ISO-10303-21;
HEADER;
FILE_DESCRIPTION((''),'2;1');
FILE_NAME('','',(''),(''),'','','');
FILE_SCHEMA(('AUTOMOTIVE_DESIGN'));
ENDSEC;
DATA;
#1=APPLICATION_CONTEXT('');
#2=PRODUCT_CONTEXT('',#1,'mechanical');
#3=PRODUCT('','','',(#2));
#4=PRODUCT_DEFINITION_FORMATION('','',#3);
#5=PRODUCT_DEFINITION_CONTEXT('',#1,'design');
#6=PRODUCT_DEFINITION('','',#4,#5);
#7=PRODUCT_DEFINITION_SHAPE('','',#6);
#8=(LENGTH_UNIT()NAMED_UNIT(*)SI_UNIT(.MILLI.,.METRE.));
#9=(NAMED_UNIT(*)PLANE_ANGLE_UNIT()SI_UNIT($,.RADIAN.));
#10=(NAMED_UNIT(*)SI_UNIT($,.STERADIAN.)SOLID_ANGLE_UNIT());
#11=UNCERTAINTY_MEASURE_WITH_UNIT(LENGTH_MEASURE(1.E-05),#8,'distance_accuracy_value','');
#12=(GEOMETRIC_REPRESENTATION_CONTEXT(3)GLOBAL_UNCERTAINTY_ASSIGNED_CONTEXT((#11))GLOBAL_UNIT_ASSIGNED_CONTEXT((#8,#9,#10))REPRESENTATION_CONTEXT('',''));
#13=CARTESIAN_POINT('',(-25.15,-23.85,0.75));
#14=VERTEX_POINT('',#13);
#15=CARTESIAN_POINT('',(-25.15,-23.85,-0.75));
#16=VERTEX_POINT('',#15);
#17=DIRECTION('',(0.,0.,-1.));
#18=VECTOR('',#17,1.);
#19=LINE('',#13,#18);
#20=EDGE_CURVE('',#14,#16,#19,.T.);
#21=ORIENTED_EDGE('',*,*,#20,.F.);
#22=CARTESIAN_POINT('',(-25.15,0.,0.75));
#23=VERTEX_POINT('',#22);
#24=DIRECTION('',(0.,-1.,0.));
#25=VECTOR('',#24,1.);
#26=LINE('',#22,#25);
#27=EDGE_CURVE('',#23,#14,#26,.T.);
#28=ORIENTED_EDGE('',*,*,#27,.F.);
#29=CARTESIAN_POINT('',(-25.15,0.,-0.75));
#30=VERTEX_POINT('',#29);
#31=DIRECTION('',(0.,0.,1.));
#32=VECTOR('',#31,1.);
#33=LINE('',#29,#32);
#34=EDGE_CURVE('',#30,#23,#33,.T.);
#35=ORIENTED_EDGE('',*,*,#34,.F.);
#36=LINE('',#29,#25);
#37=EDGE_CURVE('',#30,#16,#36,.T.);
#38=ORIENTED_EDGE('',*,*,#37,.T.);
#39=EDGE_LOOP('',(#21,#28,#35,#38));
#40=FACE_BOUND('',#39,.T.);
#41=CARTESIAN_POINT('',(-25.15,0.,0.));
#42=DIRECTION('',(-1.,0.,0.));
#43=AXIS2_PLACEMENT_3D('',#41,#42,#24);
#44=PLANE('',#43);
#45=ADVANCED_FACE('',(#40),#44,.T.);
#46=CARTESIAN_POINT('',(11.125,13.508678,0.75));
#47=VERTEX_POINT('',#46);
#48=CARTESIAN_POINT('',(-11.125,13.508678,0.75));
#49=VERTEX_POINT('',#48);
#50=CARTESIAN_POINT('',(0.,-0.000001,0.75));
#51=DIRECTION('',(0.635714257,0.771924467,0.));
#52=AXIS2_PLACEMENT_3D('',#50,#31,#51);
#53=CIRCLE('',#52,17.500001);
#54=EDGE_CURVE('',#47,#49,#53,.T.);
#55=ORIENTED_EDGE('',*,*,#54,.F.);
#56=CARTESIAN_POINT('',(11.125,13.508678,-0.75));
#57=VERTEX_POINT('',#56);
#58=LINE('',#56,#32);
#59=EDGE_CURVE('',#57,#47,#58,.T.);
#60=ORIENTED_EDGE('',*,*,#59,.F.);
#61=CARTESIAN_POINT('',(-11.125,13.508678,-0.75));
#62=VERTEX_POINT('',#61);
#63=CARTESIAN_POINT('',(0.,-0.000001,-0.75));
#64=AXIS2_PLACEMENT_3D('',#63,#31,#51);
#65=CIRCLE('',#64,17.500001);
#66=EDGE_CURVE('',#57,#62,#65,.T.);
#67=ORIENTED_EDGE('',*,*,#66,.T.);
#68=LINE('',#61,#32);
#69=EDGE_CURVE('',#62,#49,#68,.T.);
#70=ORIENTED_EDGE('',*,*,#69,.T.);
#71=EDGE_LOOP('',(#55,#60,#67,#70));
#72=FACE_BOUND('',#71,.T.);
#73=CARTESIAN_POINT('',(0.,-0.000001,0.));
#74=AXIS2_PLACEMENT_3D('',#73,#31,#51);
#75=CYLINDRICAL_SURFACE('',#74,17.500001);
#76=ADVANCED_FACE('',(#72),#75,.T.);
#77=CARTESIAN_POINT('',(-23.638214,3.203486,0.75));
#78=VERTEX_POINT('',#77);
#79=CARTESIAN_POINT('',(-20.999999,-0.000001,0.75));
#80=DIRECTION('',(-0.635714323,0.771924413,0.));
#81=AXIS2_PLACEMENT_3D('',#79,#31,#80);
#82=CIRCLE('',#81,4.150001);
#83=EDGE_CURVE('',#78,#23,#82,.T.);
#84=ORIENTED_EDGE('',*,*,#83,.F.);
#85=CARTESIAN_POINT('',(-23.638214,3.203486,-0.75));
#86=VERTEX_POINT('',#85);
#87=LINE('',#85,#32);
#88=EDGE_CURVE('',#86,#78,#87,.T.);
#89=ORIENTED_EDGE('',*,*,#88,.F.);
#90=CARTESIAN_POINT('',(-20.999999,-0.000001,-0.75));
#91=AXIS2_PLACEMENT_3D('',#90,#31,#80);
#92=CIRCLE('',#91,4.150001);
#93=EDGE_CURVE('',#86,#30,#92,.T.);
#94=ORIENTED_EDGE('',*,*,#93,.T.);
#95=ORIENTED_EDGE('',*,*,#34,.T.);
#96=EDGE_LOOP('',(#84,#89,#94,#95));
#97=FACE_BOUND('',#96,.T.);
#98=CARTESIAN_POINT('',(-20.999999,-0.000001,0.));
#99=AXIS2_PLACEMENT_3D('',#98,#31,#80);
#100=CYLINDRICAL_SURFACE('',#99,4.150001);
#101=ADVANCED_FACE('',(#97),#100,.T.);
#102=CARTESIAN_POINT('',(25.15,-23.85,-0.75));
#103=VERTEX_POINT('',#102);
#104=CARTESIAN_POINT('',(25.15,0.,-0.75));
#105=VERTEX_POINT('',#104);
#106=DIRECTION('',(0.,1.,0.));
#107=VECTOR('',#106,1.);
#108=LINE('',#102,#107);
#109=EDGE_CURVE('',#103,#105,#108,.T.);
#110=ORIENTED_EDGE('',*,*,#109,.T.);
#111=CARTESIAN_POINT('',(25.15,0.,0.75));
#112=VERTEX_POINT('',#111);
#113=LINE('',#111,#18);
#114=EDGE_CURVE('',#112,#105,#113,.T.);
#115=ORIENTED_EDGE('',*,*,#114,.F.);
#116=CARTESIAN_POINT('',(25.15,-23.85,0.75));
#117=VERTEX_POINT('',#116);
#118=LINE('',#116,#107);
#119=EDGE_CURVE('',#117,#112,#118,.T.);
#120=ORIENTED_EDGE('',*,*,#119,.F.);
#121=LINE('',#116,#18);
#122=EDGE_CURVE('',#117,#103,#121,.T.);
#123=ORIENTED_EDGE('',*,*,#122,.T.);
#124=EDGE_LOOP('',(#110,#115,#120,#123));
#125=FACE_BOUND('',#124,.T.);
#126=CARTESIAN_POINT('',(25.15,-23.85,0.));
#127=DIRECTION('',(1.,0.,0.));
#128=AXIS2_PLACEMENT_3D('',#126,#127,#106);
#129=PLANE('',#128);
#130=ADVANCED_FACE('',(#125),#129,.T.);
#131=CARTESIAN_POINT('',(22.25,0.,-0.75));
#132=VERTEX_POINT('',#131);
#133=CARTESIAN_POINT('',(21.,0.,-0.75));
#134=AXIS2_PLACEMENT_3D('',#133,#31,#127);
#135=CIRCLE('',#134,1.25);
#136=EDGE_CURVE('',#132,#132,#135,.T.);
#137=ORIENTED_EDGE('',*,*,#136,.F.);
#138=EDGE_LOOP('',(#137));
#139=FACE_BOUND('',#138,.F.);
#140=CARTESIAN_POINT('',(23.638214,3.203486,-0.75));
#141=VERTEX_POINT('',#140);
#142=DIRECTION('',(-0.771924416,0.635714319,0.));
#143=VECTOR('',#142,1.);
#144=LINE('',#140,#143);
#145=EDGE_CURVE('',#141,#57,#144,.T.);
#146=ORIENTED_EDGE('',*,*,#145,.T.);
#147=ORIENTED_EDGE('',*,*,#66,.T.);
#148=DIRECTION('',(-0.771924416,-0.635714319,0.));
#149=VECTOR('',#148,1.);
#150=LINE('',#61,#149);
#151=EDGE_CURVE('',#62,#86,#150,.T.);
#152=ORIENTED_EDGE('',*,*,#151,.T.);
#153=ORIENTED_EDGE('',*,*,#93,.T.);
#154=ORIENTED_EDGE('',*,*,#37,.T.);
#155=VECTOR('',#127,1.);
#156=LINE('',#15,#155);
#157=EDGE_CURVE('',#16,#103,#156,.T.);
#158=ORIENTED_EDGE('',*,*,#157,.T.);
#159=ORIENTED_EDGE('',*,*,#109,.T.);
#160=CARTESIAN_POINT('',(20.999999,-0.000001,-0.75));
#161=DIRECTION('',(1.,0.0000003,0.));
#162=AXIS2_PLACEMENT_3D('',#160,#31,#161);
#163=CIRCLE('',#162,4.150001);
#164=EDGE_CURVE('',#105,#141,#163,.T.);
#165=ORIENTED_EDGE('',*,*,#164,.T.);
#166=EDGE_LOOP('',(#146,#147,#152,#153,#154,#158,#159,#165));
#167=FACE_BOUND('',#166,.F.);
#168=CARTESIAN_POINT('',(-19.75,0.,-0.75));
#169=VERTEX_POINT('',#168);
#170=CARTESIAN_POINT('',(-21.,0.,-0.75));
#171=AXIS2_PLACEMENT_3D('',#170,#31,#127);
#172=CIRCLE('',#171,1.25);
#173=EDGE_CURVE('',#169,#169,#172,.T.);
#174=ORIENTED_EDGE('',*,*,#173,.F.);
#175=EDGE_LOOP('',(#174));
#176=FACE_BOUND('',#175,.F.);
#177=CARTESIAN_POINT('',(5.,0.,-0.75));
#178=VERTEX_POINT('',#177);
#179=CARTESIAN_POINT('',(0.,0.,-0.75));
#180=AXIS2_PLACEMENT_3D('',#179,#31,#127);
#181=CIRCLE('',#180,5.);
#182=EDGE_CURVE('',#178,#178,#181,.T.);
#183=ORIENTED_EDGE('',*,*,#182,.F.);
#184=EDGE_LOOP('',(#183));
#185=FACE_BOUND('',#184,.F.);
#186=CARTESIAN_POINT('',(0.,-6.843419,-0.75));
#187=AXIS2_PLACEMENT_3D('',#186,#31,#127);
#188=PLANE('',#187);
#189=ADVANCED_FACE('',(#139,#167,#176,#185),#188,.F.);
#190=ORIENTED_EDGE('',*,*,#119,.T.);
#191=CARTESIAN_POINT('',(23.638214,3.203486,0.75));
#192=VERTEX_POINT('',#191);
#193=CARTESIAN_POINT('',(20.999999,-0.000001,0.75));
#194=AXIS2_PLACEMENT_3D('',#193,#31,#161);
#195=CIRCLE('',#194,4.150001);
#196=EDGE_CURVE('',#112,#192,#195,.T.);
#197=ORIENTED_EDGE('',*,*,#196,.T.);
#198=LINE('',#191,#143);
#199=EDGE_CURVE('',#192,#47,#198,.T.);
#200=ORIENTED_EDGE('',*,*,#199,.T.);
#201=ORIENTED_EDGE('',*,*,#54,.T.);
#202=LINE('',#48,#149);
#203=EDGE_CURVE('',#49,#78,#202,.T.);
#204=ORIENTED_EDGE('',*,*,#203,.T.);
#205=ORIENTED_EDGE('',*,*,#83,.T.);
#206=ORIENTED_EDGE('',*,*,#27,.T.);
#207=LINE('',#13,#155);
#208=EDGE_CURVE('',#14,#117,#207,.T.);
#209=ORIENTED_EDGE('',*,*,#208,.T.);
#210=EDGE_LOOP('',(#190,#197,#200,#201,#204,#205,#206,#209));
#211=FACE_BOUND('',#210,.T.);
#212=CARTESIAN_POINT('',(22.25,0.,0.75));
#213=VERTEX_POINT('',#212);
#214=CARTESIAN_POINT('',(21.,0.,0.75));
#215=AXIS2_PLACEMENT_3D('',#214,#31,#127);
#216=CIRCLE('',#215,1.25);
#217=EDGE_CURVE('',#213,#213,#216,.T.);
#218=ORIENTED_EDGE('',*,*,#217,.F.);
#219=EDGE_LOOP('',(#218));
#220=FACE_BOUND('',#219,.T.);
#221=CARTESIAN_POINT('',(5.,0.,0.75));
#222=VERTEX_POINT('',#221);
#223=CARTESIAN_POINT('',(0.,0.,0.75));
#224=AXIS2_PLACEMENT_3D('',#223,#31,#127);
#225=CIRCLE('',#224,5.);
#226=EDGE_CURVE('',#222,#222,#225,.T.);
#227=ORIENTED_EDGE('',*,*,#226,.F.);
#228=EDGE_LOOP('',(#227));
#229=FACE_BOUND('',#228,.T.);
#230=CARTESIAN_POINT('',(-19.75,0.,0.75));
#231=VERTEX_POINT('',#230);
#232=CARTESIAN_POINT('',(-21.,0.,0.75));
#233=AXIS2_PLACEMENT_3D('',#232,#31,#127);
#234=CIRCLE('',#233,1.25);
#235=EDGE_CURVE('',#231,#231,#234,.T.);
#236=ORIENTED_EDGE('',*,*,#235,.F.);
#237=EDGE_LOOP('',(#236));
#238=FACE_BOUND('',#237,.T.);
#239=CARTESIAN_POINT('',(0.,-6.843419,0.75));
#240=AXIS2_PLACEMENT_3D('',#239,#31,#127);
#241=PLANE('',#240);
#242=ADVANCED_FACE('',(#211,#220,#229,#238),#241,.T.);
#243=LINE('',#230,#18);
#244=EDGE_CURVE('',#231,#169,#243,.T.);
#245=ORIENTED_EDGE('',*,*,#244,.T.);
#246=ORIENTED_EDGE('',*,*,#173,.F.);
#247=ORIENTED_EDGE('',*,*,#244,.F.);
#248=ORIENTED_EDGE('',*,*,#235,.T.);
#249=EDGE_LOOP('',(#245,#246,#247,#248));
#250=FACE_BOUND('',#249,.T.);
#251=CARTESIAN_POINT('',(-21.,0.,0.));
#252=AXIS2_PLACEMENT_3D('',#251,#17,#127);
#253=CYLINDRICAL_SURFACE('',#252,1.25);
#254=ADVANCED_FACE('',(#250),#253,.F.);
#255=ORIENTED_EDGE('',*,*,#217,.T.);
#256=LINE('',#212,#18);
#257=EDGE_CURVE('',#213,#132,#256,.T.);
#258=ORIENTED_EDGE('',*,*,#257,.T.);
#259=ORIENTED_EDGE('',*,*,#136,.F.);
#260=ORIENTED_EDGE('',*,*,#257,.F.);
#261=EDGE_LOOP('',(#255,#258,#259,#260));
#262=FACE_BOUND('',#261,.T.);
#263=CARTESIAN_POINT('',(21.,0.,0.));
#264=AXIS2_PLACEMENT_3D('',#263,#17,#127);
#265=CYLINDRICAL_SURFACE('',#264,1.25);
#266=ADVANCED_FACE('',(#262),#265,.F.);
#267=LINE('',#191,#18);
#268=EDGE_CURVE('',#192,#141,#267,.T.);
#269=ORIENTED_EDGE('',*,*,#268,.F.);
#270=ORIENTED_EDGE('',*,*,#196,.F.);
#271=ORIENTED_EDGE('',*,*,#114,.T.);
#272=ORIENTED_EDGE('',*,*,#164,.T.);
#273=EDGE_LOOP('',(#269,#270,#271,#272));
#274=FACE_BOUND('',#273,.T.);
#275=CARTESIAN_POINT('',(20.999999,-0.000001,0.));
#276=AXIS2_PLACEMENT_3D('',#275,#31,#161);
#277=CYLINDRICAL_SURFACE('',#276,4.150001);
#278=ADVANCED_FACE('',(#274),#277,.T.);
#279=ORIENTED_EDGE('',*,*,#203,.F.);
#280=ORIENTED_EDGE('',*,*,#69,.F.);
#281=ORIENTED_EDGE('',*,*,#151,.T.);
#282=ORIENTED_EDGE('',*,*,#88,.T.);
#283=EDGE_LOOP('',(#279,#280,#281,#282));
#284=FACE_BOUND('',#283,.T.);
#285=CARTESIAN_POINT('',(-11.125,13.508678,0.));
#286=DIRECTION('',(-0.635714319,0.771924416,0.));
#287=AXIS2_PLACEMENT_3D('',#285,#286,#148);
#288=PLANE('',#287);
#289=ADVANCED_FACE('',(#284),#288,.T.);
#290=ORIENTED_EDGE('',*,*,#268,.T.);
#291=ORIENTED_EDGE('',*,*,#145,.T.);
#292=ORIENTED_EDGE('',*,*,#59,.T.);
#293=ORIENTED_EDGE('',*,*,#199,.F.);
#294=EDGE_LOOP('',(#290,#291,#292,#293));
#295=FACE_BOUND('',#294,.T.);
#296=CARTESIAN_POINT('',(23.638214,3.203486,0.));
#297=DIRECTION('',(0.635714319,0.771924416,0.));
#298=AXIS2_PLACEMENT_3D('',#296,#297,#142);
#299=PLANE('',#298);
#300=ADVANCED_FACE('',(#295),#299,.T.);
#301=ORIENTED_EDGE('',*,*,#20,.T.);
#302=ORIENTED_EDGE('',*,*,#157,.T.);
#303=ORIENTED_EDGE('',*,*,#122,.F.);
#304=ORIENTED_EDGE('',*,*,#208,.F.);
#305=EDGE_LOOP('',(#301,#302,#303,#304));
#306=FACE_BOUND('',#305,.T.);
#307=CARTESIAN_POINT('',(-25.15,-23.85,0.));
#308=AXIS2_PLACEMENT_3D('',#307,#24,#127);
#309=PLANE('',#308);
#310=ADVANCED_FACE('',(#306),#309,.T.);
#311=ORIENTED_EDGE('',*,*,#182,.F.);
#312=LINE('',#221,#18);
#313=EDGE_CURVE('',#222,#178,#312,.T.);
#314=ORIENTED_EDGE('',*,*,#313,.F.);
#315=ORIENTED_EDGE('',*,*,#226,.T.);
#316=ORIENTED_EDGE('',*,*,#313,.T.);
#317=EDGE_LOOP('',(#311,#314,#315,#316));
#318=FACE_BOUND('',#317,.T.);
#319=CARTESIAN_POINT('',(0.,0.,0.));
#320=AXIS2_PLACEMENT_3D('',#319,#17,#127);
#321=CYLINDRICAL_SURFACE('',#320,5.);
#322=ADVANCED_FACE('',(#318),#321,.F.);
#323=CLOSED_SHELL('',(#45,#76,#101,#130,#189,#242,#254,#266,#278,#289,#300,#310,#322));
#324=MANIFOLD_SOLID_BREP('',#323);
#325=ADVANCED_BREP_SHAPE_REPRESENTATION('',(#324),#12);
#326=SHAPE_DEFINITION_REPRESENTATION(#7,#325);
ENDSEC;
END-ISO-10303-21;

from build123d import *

# Parameters (mm, degrees)
F0_R     = 1.25
F0_R_2   = 5
F1_DEPTH = 0.75


with BuildPart() as f1:
    # F0 (on Top) → F1 (new body, symmetric)
    with BuildSketch(Plane.XY):
        with BuildLine():
            Line((23.638214, 3.203486), (11.125, 13.508678))
            ThreePointArc((11.125, 13.508678), (0, 17.5), (-11.125, 13.508678))
            Line((-11.125, 13.508678), (-23.638214, 3.203486))
            ThreePointArc((-23.638214, 3.203486), (-24.753071, 1.771145), (-25.15, 0))
            Line((-25.15, 0), (-25.15, -15.693022))
            Line((-25.15, -15.693022), (-25.15, -23.85))
            Line((-25.15, -23.85), (0, -23.85))
            Line((0, -23.85), (25.15, -23.85))
            Line((25.15, -23.85), (25.15, -15.693022))
            Line((25.15, -15.693022), (25.15, 0))
            ThreePointArc((25.15, 0), (24.753071, 1.771145), (23.638214, 3.203486))
        make_face()
        with Locations((-21, 0)):
            Circle(F0_R, mode=Mode.SUBTRACT)
        Circle(F0_R_2, mode=Mode.SUBTRACT)
        with Locations((21, 0)):
            Circle(F0_R, mode=Mode.SUBTRACT)
    extrude(amount=F1_DEPTH, both=True)


solid = f1.part
